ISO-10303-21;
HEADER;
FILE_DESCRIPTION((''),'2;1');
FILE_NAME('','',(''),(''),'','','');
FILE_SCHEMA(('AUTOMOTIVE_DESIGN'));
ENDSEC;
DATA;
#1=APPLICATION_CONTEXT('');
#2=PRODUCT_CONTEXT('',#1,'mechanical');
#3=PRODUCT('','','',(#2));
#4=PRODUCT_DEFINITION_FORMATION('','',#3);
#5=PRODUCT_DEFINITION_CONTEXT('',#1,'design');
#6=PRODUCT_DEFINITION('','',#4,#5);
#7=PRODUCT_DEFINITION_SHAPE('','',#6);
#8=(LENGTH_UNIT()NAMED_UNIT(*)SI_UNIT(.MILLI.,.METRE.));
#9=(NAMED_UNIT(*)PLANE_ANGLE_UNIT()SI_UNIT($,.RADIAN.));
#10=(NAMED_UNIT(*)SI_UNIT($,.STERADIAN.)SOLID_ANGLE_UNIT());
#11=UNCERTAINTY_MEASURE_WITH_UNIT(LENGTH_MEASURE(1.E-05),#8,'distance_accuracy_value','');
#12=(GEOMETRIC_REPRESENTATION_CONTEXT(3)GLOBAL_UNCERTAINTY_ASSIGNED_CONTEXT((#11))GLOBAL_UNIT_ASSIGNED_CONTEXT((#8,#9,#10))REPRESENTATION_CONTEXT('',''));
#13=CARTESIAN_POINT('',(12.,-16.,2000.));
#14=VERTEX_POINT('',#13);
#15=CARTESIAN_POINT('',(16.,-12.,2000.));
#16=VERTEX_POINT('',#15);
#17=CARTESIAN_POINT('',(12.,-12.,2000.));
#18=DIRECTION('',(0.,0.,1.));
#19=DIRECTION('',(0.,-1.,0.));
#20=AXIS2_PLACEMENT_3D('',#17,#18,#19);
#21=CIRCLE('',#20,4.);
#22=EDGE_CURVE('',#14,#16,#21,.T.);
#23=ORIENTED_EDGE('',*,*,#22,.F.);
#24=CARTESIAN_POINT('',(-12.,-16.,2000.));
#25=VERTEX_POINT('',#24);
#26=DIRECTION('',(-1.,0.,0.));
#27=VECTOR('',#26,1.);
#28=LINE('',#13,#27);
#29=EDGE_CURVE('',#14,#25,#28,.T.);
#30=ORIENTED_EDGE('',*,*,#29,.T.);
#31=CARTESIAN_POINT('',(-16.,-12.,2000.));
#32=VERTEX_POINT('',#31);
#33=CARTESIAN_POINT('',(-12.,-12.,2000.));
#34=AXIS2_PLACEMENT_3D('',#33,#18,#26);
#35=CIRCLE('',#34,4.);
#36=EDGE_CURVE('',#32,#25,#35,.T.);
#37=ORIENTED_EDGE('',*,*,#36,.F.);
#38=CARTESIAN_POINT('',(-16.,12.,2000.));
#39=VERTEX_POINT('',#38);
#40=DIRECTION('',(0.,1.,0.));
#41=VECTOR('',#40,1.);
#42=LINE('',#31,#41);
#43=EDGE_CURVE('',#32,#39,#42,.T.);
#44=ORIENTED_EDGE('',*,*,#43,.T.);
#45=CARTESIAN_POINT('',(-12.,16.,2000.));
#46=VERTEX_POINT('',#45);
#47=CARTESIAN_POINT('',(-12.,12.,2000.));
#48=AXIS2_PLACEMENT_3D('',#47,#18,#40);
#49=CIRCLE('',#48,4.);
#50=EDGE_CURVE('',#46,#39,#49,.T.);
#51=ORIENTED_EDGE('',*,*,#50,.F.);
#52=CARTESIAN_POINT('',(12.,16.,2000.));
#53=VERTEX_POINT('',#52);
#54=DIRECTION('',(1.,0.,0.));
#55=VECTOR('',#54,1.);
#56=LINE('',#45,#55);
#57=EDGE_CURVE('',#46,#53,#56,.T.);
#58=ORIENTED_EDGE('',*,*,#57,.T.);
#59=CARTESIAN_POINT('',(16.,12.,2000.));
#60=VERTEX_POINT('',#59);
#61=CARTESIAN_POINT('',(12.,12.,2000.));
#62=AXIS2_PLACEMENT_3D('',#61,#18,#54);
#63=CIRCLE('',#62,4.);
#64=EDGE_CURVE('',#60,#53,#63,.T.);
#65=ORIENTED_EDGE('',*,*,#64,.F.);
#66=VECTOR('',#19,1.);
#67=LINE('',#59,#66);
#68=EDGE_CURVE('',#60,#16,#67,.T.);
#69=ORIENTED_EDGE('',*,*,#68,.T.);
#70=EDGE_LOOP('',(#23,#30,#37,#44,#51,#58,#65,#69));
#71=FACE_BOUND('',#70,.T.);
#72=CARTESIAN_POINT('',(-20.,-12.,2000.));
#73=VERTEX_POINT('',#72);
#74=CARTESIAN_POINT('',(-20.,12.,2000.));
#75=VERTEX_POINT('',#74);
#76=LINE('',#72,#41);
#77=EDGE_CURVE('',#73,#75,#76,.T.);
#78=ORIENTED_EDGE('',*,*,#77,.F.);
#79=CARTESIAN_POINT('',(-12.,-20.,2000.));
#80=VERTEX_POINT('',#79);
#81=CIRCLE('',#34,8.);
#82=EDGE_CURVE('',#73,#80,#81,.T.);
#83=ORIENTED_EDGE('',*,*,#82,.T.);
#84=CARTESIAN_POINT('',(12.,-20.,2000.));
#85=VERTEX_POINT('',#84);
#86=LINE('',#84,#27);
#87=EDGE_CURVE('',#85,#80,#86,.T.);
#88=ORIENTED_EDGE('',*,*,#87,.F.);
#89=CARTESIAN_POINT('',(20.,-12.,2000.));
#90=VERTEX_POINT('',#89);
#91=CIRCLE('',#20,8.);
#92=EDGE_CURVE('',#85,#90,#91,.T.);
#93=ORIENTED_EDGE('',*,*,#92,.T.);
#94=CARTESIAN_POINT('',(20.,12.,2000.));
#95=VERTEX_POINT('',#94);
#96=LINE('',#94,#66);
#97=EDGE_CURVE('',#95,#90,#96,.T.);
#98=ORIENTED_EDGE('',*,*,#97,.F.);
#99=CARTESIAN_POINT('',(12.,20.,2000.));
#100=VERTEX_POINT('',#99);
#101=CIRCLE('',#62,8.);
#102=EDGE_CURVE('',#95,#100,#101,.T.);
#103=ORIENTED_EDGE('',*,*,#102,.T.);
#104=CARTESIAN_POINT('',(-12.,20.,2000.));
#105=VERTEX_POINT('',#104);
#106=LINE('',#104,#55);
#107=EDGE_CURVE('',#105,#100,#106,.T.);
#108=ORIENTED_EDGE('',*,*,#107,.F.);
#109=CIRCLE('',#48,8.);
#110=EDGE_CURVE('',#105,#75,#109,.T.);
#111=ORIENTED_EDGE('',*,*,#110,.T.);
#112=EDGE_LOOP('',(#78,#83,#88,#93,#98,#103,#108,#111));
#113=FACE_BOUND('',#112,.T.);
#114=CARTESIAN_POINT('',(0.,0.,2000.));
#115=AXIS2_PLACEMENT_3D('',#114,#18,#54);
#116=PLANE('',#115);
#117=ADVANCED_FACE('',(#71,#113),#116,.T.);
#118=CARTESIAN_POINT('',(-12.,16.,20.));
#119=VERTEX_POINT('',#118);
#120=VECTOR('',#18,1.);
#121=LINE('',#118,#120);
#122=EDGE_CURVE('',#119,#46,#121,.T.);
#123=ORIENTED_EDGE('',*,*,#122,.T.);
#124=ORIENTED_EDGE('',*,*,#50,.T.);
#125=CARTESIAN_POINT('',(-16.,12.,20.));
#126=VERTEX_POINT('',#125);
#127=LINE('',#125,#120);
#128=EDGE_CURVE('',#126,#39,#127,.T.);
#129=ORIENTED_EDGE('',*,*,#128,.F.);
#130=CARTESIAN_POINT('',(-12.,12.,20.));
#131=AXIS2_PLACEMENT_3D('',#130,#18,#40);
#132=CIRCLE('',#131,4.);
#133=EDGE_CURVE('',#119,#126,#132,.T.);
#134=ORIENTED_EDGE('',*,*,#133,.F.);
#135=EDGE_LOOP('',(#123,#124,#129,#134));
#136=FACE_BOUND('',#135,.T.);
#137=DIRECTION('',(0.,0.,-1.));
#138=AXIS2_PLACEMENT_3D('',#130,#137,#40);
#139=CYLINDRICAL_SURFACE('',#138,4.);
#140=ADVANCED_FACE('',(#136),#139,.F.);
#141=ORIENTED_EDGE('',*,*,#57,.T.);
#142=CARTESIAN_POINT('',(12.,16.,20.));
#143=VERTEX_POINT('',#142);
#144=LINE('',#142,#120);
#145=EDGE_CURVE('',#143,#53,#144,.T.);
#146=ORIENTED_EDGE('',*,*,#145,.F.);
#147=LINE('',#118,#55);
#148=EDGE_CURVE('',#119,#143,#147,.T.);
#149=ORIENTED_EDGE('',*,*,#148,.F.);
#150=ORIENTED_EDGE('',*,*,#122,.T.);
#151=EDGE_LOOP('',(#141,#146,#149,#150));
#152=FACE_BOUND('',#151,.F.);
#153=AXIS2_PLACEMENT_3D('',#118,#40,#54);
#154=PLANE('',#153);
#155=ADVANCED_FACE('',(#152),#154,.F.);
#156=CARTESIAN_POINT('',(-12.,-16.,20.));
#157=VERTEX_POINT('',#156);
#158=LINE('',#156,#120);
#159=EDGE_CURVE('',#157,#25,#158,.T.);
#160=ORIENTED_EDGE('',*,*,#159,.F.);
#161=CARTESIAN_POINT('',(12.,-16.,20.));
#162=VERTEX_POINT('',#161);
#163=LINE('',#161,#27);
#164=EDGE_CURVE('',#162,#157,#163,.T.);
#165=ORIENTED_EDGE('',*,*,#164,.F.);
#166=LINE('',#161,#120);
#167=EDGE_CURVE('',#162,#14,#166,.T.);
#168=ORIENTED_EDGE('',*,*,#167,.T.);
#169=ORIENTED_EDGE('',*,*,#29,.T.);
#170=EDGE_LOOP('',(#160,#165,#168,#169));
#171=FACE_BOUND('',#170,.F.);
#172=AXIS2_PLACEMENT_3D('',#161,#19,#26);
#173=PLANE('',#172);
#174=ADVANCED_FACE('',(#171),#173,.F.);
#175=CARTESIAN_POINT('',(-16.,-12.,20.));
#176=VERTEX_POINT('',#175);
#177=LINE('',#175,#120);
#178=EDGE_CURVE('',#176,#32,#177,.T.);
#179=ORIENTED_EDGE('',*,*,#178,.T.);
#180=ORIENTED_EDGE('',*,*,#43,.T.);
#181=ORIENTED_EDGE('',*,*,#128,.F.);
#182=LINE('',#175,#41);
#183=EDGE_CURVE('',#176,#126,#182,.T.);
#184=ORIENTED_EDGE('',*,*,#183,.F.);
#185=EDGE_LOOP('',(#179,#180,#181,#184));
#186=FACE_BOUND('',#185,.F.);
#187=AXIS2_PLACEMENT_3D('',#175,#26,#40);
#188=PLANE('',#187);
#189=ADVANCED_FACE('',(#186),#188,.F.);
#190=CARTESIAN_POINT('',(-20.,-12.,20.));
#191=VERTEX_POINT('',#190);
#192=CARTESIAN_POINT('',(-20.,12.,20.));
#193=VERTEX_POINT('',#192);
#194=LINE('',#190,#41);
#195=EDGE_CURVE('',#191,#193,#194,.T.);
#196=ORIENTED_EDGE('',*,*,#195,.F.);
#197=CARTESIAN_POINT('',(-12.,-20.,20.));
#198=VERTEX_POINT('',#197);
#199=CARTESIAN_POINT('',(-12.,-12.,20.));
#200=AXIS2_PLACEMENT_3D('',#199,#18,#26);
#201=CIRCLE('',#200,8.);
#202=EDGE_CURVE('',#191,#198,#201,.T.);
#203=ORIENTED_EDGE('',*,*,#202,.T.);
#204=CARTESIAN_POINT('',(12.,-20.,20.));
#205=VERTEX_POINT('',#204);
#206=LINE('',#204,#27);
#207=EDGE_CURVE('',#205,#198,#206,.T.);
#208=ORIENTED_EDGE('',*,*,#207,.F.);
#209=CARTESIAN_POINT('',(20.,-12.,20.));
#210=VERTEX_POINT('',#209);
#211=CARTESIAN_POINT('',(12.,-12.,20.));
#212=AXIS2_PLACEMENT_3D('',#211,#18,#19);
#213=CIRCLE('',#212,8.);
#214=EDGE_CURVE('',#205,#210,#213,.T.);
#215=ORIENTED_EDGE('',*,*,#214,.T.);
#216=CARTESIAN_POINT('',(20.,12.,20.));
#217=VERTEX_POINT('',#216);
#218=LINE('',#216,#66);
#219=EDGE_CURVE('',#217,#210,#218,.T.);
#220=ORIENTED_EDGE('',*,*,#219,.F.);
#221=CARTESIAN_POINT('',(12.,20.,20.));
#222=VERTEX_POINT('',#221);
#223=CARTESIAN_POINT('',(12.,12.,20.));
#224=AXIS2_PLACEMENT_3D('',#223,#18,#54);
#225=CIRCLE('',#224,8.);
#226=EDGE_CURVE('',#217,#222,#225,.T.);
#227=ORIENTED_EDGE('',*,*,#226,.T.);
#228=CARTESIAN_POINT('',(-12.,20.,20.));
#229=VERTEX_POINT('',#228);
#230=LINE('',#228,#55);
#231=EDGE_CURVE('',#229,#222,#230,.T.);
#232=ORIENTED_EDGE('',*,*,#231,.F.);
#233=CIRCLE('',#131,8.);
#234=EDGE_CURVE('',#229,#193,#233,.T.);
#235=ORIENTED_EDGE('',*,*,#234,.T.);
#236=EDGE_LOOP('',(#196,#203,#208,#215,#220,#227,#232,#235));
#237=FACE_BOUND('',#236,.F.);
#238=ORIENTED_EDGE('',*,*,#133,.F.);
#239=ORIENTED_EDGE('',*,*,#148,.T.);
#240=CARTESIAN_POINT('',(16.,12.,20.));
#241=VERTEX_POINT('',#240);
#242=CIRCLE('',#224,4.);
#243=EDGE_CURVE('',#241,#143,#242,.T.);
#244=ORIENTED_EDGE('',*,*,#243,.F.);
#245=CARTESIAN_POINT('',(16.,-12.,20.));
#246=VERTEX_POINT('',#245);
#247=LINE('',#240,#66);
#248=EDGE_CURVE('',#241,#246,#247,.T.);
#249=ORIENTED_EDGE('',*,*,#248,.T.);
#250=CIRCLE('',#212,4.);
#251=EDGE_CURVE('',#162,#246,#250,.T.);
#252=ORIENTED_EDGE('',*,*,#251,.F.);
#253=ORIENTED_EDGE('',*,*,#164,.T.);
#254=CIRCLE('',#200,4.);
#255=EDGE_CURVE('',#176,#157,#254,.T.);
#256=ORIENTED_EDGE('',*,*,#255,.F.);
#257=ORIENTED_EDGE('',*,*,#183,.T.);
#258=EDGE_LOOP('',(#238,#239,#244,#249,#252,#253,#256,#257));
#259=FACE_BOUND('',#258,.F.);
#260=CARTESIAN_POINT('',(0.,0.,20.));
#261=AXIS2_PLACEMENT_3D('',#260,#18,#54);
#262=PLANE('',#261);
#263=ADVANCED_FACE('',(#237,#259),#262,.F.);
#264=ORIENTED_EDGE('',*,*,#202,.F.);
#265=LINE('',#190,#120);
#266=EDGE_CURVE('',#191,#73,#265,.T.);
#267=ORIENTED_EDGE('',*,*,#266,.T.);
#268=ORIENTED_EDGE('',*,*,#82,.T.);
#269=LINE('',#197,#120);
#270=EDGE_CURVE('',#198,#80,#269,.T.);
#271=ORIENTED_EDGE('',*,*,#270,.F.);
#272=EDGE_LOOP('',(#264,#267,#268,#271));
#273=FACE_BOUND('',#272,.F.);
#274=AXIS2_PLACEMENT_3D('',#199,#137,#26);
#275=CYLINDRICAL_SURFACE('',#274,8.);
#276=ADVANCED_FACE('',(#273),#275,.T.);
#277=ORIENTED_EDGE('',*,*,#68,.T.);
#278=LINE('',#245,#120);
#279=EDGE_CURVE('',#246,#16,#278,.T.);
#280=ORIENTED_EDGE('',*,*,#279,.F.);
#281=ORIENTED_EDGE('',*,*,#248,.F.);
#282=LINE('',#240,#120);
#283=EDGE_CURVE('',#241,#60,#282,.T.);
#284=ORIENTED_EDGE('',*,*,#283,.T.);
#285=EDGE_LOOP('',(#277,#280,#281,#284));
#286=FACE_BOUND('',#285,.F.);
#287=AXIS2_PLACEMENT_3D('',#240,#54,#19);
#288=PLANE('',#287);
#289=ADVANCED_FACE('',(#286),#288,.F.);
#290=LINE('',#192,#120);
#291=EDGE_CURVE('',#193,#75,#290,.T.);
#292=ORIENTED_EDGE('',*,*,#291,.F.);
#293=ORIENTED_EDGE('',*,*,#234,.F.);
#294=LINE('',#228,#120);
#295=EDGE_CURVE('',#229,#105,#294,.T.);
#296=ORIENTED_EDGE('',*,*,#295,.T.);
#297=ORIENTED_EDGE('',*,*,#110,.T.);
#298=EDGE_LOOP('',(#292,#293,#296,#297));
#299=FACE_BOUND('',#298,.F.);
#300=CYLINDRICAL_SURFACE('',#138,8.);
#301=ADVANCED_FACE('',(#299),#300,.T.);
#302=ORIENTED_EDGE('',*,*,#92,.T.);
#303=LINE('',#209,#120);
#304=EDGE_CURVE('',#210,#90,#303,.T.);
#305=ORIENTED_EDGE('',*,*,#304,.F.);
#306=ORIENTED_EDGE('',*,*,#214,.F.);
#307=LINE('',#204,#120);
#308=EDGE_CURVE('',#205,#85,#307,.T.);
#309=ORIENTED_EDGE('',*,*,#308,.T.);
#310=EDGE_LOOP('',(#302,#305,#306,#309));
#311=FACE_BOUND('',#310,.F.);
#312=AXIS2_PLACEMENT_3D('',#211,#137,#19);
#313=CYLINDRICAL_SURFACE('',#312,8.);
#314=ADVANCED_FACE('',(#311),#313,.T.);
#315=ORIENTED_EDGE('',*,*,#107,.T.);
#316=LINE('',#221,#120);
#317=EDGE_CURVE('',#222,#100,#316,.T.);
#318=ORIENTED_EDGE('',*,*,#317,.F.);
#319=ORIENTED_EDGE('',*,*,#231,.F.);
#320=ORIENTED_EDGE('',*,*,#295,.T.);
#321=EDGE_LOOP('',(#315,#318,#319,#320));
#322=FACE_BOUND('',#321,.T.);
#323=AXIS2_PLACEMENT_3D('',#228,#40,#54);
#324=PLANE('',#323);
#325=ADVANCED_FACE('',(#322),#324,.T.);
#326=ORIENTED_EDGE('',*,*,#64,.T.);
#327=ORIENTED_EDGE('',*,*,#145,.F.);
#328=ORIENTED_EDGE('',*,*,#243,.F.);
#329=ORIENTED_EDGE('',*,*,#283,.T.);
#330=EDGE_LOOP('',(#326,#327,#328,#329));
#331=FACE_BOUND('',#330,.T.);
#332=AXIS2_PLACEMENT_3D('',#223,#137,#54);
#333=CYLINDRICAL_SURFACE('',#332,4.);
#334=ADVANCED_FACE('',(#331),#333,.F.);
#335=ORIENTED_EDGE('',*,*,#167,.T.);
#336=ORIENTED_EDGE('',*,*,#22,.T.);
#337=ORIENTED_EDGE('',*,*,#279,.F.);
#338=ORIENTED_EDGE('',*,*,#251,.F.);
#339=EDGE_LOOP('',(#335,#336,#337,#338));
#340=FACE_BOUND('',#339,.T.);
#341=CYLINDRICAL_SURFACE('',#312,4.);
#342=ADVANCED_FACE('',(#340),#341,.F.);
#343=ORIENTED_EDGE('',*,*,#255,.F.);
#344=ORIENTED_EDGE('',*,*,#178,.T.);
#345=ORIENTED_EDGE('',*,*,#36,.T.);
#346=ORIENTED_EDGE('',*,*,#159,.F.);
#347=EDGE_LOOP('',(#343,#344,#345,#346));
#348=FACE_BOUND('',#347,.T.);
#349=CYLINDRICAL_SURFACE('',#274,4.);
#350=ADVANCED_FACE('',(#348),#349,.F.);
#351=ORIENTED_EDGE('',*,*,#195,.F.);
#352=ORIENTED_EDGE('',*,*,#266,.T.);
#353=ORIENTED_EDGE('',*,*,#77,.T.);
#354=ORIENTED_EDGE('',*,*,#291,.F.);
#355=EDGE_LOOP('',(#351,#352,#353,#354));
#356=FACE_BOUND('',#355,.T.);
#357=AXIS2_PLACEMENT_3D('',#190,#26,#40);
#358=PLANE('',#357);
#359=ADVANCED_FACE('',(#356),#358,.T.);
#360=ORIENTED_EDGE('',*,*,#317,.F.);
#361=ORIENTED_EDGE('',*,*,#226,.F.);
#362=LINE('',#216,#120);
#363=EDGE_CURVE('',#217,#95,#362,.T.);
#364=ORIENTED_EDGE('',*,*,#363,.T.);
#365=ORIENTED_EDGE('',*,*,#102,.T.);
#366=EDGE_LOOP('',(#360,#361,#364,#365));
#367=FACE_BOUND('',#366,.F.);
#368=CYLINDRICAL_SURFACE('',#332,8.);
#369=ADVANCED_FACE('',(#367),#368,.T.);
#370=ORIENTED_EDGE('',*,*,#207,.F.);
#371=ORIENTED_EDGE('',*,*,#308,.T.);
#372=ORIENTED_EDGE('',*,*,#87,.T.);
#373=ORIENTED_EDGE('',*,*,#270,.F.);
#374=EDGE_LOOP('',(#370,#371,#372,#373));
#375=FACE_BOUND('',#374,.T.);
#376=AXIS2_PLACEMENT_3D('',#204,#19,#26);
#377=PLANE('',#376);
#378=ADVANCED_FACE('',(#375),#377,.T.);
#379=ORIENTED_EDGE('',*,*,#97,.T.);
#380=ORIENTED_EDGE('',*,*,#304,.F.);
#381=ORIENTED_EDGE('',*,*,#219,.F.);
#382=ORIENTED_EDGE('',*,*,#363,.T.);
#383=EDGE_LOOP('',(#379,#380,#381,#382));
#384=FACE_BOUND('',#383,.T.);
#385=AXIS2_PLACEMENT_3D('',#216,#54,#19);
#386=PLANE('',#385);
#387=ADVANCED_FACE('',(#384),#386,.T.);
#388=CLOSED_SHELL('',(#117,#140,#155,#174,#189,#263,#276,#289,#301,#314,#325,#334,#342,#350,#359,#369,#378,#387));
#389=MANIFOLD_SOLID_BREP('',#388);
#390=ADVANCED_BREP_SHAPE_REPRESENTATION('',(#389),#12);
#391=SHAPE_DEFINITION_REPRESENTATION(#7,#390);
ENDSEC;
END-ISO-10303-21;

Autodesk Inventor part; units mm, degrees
ref_plane "Start Plane" through (0, 0, 20) normal (0, 0, 1) x (1, 0, 0)
ref_plane "End Plane" through (0, 0, 2000) normal (0, 0, 1) x (1, 0, 0)
sketch "Sketch" plane through (0, 0, 0) normal (0, 0, 1) x (1, 0, 0)
  line L0 (-20, -12) -> (-20, 12)
  line L1 (-12, 20) -> (12, 20)
  line L2 (20, 12) -> (20, -12)
  line L3 (12, -20) -> (-12, -20)
  arc A0 (-20, -12) -> (-12, -20) centre (-12, -12) ccw
  arc A1 (20, 12) -> (12, 20) centre (12, 12) ccw
  arc A2 (-12, 20) -> (-20, 12) centre (-12, 12) ccw
  arc A3 (12, -20) -> (20, -12) centre (12, -12) ccw
  arc A4 (-12, 16) -> (-16, 12) centre (-12, 12) ccw
  line L4 (-12, 16) -> (12, 16)
  arc A5 (16, 12) -> (12, 16) centre (12, 12) ccw
  line L5 (16, 12) -> (16, -12)
  arc A6 (12, -16) -> (16, -12) centre (12, -12) ccw
  line L6 (12, -16) -> (-12, -16)
  arc A7 (-16, -12) -> (-12, -16) centre (-12, -12) ccw
  line L7 (-16, -12) -> (-16, 12)
  line L8 (0, 30.3196) -> (0, -30.3196) construction
  line L9 (-30.3196, 0) -> (30.3196, 0) construction
  dimension "d7" = 8
  dimension "d9" = 40
  dimension "d11" = 40
  dimension "d12" = 4
  dimension "d15" = 20
  dimension "d16" = 20
extrude "Body" add sketch "Sketch" along normal up to surface (1980 mm away) from surface at 20
sketch "Sketch3" plane through (0, 0, 0) normal (0, 0, 1) x (1, 0, 0)
  line L0 (0, 0) -> (10, 0)
ref_plane "Work Plane3" through (0, 0, 0) normal (0, -1, 0) x (1, 0, 0)
ref_plane "Work Plane4" through (12, -3250, 20) normal (0, 0, -1) x (-1, 0, 0)
split "Split1" plane through (12, -3250, 20) removes the side toward (0, 0, -1)
sketch "Sketch4" plane through (0, 0, 0) normal (0, -1, 0) x (1, 0, 0)
  line L0 (-2, 20) -> (12, 20) projected
  line L1 (-2, 2000) -> (12, 2000) projected
  dimension "d18" = 1980
equation "\"d7\" = G_IR"
equation "\"d9\" = G_W"
equation "\"d11\" = G_H"
equation "\"d12\" = G_T"
equation "\"d15\" = 0.5 * d9"
equation "\"d16\" = 0.5 * d11"
equation "\"d3\" = G_L"
equation "\"G_W\" = 40"
equation "\"G_H\" = 40"
equation "\"G_T\" = 4"
equation "\"G_IR\" = 8"
equation "\"G_L\" = d18"
equation "\"G_OFFSET_END\" = 0"
properties part number "ISO 10799-2 - 40x40x4 - 1980" material "Steel, Mild"
